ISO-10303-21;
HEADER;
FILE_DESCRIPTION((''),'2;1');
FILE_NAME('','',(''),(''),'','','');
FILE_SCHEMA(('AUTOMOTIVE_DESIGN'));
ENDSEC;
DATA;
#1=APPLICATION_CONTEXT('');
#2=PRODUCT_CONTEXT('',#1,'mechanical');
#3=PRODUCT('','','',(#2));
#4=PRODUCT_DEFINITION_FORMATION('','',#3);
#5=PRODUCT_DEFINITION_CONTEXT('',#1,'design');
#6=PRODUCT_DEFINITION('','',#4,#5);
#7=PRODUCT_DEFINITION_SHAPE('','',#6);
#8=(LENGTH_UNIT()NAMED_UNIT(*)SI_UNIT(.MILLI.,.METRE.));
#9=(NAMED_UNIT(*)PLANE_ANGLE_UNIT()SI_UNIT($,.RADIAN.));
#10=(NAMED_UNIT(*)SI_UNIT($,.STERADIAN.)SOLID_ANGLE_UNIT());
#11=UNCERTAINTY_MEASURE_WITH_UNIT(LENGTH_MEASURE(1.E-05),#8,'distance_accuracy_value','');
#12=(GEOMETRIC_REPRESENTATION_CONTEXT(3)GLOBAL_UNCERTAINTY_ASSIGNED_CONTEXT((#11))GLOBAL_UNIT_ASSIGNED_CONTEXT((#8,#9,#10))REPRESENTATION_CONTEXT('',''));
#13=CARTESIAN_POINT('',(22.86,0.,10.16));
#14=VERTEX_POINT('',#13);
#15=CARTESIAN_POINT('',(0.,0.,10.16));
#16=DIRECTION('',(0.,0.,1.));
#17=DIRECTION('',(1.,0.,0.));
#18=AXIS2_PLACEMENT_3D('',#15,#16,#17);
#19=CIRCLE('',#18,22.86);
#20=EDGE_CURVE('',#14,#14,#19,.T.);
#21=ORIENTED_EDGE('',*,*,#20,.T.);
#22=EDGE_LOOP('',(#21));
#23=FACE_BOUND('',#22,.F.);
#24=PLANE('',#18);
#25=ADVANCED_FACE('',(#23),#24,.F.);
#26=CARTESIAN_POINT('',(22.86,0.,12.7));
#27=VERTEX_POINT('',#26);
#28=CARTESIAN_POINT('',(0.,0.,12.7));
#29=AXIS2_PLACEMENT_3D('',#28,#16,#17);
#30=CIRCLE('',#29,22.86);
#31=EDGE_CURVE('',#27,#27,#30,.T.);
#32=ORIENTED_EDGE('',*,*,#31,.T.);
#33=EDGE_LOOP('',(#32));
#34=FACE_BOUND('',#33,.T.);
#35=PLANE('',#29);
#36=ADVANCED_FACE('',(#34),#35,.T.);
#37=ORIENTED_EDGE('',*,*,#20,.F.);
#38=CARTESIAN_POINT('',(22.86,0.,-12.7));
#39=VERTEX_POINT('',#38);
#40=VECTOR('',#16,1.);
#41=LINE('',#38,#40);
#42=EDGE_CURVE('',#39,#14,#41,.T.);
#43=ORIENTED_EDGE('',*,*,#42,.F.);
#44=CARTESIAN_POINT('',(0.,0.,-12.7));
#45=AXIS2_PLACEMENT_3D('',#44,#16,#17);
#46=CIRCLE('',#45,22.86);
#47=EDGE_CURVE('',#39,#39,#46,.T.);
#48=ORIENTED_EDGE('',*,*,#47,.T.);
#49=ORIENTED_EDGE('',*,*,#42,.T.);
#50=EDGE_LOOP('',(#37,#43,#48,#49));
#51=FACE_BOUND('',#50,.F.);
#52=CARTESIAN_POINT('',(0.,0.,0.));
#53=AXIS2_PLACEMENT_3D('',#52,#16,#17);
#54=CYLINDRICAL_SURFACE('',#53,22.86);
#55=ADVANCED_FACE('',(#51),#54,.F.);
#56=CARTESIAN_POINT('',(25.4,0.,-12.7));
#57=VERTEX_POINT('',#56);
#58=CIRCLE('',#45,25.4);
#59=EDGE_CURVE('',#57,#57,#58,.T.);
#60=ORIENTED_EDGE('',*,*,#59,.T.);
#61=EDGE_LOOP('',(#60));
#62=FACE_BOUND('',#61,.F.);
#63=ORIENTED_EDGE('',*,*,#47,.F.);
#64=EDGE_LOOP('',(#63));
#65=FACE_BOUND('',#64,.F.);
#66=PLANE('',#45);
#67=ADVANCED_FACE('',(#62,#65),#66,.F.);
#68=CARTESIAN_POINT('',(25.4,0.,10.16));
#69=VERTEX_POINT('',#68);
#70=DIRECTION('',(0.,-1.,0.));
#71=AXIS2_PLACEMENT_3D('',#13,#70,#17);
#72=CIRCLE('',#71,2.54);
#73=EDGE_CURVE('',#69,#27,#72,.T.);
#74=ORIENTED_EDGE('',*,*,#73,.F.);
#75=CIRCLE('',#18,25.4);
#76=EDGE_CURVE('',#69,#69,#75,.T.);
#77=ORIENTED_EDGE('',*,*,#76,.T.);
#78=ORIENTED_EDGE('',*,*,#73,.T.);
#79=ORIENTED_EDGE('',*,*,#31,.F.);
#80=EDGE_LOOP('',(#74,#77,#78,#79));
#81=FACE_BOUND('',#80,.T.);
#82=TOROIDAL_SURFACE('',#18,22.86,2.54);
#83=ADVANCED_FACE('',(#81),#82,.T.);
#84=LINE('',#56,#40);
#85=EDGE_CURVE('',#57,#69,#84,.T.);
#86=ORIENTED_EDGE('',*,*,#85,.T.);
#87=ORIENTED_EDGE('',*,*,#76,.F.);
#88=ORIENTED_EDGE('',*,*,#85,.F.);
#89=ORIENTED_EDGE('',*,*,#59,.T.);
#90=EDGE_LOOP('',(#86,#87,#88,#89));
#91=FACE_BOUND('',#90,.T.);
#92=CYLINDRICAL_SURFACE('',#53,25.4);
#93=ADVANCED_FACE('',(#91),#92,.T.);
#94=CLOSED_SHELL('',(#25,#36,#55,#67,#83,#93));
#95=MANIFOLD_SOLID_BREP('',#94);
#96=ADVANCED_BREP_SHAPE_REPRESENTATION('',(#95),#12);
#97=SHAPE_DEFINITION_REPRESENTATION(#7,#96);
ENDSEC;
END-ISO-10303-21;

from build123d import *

# Parameters (mm, degrees)
F0_R     = 25.4
F1_DEPTH = 12.7
F2_T     = -2.54
F3_R     = 2.54


with BuildPart() as f1:
    # F0 (on Top) → F1 (new body, symmetric)
    with BuildSketch(Plane.XY):
        Circle(F0_R)
    extrude(amount=F1_DEPTH, both=True)

    # F2
    f2_openings = [f1.faces().sort_by_distance(p)[0] for p in [
        (0, 0, -12.7),
    ]]
    offset(amount=F2_T, openings=f2_openings)

    # F3
    f3_edges = [f1.edges().sort_by_distance(p)[0] for p in [
        (-25.4, 0, 12.7),
    ]]
    fillet(f3_edges, radius=F3_R)


solid = f1.part
